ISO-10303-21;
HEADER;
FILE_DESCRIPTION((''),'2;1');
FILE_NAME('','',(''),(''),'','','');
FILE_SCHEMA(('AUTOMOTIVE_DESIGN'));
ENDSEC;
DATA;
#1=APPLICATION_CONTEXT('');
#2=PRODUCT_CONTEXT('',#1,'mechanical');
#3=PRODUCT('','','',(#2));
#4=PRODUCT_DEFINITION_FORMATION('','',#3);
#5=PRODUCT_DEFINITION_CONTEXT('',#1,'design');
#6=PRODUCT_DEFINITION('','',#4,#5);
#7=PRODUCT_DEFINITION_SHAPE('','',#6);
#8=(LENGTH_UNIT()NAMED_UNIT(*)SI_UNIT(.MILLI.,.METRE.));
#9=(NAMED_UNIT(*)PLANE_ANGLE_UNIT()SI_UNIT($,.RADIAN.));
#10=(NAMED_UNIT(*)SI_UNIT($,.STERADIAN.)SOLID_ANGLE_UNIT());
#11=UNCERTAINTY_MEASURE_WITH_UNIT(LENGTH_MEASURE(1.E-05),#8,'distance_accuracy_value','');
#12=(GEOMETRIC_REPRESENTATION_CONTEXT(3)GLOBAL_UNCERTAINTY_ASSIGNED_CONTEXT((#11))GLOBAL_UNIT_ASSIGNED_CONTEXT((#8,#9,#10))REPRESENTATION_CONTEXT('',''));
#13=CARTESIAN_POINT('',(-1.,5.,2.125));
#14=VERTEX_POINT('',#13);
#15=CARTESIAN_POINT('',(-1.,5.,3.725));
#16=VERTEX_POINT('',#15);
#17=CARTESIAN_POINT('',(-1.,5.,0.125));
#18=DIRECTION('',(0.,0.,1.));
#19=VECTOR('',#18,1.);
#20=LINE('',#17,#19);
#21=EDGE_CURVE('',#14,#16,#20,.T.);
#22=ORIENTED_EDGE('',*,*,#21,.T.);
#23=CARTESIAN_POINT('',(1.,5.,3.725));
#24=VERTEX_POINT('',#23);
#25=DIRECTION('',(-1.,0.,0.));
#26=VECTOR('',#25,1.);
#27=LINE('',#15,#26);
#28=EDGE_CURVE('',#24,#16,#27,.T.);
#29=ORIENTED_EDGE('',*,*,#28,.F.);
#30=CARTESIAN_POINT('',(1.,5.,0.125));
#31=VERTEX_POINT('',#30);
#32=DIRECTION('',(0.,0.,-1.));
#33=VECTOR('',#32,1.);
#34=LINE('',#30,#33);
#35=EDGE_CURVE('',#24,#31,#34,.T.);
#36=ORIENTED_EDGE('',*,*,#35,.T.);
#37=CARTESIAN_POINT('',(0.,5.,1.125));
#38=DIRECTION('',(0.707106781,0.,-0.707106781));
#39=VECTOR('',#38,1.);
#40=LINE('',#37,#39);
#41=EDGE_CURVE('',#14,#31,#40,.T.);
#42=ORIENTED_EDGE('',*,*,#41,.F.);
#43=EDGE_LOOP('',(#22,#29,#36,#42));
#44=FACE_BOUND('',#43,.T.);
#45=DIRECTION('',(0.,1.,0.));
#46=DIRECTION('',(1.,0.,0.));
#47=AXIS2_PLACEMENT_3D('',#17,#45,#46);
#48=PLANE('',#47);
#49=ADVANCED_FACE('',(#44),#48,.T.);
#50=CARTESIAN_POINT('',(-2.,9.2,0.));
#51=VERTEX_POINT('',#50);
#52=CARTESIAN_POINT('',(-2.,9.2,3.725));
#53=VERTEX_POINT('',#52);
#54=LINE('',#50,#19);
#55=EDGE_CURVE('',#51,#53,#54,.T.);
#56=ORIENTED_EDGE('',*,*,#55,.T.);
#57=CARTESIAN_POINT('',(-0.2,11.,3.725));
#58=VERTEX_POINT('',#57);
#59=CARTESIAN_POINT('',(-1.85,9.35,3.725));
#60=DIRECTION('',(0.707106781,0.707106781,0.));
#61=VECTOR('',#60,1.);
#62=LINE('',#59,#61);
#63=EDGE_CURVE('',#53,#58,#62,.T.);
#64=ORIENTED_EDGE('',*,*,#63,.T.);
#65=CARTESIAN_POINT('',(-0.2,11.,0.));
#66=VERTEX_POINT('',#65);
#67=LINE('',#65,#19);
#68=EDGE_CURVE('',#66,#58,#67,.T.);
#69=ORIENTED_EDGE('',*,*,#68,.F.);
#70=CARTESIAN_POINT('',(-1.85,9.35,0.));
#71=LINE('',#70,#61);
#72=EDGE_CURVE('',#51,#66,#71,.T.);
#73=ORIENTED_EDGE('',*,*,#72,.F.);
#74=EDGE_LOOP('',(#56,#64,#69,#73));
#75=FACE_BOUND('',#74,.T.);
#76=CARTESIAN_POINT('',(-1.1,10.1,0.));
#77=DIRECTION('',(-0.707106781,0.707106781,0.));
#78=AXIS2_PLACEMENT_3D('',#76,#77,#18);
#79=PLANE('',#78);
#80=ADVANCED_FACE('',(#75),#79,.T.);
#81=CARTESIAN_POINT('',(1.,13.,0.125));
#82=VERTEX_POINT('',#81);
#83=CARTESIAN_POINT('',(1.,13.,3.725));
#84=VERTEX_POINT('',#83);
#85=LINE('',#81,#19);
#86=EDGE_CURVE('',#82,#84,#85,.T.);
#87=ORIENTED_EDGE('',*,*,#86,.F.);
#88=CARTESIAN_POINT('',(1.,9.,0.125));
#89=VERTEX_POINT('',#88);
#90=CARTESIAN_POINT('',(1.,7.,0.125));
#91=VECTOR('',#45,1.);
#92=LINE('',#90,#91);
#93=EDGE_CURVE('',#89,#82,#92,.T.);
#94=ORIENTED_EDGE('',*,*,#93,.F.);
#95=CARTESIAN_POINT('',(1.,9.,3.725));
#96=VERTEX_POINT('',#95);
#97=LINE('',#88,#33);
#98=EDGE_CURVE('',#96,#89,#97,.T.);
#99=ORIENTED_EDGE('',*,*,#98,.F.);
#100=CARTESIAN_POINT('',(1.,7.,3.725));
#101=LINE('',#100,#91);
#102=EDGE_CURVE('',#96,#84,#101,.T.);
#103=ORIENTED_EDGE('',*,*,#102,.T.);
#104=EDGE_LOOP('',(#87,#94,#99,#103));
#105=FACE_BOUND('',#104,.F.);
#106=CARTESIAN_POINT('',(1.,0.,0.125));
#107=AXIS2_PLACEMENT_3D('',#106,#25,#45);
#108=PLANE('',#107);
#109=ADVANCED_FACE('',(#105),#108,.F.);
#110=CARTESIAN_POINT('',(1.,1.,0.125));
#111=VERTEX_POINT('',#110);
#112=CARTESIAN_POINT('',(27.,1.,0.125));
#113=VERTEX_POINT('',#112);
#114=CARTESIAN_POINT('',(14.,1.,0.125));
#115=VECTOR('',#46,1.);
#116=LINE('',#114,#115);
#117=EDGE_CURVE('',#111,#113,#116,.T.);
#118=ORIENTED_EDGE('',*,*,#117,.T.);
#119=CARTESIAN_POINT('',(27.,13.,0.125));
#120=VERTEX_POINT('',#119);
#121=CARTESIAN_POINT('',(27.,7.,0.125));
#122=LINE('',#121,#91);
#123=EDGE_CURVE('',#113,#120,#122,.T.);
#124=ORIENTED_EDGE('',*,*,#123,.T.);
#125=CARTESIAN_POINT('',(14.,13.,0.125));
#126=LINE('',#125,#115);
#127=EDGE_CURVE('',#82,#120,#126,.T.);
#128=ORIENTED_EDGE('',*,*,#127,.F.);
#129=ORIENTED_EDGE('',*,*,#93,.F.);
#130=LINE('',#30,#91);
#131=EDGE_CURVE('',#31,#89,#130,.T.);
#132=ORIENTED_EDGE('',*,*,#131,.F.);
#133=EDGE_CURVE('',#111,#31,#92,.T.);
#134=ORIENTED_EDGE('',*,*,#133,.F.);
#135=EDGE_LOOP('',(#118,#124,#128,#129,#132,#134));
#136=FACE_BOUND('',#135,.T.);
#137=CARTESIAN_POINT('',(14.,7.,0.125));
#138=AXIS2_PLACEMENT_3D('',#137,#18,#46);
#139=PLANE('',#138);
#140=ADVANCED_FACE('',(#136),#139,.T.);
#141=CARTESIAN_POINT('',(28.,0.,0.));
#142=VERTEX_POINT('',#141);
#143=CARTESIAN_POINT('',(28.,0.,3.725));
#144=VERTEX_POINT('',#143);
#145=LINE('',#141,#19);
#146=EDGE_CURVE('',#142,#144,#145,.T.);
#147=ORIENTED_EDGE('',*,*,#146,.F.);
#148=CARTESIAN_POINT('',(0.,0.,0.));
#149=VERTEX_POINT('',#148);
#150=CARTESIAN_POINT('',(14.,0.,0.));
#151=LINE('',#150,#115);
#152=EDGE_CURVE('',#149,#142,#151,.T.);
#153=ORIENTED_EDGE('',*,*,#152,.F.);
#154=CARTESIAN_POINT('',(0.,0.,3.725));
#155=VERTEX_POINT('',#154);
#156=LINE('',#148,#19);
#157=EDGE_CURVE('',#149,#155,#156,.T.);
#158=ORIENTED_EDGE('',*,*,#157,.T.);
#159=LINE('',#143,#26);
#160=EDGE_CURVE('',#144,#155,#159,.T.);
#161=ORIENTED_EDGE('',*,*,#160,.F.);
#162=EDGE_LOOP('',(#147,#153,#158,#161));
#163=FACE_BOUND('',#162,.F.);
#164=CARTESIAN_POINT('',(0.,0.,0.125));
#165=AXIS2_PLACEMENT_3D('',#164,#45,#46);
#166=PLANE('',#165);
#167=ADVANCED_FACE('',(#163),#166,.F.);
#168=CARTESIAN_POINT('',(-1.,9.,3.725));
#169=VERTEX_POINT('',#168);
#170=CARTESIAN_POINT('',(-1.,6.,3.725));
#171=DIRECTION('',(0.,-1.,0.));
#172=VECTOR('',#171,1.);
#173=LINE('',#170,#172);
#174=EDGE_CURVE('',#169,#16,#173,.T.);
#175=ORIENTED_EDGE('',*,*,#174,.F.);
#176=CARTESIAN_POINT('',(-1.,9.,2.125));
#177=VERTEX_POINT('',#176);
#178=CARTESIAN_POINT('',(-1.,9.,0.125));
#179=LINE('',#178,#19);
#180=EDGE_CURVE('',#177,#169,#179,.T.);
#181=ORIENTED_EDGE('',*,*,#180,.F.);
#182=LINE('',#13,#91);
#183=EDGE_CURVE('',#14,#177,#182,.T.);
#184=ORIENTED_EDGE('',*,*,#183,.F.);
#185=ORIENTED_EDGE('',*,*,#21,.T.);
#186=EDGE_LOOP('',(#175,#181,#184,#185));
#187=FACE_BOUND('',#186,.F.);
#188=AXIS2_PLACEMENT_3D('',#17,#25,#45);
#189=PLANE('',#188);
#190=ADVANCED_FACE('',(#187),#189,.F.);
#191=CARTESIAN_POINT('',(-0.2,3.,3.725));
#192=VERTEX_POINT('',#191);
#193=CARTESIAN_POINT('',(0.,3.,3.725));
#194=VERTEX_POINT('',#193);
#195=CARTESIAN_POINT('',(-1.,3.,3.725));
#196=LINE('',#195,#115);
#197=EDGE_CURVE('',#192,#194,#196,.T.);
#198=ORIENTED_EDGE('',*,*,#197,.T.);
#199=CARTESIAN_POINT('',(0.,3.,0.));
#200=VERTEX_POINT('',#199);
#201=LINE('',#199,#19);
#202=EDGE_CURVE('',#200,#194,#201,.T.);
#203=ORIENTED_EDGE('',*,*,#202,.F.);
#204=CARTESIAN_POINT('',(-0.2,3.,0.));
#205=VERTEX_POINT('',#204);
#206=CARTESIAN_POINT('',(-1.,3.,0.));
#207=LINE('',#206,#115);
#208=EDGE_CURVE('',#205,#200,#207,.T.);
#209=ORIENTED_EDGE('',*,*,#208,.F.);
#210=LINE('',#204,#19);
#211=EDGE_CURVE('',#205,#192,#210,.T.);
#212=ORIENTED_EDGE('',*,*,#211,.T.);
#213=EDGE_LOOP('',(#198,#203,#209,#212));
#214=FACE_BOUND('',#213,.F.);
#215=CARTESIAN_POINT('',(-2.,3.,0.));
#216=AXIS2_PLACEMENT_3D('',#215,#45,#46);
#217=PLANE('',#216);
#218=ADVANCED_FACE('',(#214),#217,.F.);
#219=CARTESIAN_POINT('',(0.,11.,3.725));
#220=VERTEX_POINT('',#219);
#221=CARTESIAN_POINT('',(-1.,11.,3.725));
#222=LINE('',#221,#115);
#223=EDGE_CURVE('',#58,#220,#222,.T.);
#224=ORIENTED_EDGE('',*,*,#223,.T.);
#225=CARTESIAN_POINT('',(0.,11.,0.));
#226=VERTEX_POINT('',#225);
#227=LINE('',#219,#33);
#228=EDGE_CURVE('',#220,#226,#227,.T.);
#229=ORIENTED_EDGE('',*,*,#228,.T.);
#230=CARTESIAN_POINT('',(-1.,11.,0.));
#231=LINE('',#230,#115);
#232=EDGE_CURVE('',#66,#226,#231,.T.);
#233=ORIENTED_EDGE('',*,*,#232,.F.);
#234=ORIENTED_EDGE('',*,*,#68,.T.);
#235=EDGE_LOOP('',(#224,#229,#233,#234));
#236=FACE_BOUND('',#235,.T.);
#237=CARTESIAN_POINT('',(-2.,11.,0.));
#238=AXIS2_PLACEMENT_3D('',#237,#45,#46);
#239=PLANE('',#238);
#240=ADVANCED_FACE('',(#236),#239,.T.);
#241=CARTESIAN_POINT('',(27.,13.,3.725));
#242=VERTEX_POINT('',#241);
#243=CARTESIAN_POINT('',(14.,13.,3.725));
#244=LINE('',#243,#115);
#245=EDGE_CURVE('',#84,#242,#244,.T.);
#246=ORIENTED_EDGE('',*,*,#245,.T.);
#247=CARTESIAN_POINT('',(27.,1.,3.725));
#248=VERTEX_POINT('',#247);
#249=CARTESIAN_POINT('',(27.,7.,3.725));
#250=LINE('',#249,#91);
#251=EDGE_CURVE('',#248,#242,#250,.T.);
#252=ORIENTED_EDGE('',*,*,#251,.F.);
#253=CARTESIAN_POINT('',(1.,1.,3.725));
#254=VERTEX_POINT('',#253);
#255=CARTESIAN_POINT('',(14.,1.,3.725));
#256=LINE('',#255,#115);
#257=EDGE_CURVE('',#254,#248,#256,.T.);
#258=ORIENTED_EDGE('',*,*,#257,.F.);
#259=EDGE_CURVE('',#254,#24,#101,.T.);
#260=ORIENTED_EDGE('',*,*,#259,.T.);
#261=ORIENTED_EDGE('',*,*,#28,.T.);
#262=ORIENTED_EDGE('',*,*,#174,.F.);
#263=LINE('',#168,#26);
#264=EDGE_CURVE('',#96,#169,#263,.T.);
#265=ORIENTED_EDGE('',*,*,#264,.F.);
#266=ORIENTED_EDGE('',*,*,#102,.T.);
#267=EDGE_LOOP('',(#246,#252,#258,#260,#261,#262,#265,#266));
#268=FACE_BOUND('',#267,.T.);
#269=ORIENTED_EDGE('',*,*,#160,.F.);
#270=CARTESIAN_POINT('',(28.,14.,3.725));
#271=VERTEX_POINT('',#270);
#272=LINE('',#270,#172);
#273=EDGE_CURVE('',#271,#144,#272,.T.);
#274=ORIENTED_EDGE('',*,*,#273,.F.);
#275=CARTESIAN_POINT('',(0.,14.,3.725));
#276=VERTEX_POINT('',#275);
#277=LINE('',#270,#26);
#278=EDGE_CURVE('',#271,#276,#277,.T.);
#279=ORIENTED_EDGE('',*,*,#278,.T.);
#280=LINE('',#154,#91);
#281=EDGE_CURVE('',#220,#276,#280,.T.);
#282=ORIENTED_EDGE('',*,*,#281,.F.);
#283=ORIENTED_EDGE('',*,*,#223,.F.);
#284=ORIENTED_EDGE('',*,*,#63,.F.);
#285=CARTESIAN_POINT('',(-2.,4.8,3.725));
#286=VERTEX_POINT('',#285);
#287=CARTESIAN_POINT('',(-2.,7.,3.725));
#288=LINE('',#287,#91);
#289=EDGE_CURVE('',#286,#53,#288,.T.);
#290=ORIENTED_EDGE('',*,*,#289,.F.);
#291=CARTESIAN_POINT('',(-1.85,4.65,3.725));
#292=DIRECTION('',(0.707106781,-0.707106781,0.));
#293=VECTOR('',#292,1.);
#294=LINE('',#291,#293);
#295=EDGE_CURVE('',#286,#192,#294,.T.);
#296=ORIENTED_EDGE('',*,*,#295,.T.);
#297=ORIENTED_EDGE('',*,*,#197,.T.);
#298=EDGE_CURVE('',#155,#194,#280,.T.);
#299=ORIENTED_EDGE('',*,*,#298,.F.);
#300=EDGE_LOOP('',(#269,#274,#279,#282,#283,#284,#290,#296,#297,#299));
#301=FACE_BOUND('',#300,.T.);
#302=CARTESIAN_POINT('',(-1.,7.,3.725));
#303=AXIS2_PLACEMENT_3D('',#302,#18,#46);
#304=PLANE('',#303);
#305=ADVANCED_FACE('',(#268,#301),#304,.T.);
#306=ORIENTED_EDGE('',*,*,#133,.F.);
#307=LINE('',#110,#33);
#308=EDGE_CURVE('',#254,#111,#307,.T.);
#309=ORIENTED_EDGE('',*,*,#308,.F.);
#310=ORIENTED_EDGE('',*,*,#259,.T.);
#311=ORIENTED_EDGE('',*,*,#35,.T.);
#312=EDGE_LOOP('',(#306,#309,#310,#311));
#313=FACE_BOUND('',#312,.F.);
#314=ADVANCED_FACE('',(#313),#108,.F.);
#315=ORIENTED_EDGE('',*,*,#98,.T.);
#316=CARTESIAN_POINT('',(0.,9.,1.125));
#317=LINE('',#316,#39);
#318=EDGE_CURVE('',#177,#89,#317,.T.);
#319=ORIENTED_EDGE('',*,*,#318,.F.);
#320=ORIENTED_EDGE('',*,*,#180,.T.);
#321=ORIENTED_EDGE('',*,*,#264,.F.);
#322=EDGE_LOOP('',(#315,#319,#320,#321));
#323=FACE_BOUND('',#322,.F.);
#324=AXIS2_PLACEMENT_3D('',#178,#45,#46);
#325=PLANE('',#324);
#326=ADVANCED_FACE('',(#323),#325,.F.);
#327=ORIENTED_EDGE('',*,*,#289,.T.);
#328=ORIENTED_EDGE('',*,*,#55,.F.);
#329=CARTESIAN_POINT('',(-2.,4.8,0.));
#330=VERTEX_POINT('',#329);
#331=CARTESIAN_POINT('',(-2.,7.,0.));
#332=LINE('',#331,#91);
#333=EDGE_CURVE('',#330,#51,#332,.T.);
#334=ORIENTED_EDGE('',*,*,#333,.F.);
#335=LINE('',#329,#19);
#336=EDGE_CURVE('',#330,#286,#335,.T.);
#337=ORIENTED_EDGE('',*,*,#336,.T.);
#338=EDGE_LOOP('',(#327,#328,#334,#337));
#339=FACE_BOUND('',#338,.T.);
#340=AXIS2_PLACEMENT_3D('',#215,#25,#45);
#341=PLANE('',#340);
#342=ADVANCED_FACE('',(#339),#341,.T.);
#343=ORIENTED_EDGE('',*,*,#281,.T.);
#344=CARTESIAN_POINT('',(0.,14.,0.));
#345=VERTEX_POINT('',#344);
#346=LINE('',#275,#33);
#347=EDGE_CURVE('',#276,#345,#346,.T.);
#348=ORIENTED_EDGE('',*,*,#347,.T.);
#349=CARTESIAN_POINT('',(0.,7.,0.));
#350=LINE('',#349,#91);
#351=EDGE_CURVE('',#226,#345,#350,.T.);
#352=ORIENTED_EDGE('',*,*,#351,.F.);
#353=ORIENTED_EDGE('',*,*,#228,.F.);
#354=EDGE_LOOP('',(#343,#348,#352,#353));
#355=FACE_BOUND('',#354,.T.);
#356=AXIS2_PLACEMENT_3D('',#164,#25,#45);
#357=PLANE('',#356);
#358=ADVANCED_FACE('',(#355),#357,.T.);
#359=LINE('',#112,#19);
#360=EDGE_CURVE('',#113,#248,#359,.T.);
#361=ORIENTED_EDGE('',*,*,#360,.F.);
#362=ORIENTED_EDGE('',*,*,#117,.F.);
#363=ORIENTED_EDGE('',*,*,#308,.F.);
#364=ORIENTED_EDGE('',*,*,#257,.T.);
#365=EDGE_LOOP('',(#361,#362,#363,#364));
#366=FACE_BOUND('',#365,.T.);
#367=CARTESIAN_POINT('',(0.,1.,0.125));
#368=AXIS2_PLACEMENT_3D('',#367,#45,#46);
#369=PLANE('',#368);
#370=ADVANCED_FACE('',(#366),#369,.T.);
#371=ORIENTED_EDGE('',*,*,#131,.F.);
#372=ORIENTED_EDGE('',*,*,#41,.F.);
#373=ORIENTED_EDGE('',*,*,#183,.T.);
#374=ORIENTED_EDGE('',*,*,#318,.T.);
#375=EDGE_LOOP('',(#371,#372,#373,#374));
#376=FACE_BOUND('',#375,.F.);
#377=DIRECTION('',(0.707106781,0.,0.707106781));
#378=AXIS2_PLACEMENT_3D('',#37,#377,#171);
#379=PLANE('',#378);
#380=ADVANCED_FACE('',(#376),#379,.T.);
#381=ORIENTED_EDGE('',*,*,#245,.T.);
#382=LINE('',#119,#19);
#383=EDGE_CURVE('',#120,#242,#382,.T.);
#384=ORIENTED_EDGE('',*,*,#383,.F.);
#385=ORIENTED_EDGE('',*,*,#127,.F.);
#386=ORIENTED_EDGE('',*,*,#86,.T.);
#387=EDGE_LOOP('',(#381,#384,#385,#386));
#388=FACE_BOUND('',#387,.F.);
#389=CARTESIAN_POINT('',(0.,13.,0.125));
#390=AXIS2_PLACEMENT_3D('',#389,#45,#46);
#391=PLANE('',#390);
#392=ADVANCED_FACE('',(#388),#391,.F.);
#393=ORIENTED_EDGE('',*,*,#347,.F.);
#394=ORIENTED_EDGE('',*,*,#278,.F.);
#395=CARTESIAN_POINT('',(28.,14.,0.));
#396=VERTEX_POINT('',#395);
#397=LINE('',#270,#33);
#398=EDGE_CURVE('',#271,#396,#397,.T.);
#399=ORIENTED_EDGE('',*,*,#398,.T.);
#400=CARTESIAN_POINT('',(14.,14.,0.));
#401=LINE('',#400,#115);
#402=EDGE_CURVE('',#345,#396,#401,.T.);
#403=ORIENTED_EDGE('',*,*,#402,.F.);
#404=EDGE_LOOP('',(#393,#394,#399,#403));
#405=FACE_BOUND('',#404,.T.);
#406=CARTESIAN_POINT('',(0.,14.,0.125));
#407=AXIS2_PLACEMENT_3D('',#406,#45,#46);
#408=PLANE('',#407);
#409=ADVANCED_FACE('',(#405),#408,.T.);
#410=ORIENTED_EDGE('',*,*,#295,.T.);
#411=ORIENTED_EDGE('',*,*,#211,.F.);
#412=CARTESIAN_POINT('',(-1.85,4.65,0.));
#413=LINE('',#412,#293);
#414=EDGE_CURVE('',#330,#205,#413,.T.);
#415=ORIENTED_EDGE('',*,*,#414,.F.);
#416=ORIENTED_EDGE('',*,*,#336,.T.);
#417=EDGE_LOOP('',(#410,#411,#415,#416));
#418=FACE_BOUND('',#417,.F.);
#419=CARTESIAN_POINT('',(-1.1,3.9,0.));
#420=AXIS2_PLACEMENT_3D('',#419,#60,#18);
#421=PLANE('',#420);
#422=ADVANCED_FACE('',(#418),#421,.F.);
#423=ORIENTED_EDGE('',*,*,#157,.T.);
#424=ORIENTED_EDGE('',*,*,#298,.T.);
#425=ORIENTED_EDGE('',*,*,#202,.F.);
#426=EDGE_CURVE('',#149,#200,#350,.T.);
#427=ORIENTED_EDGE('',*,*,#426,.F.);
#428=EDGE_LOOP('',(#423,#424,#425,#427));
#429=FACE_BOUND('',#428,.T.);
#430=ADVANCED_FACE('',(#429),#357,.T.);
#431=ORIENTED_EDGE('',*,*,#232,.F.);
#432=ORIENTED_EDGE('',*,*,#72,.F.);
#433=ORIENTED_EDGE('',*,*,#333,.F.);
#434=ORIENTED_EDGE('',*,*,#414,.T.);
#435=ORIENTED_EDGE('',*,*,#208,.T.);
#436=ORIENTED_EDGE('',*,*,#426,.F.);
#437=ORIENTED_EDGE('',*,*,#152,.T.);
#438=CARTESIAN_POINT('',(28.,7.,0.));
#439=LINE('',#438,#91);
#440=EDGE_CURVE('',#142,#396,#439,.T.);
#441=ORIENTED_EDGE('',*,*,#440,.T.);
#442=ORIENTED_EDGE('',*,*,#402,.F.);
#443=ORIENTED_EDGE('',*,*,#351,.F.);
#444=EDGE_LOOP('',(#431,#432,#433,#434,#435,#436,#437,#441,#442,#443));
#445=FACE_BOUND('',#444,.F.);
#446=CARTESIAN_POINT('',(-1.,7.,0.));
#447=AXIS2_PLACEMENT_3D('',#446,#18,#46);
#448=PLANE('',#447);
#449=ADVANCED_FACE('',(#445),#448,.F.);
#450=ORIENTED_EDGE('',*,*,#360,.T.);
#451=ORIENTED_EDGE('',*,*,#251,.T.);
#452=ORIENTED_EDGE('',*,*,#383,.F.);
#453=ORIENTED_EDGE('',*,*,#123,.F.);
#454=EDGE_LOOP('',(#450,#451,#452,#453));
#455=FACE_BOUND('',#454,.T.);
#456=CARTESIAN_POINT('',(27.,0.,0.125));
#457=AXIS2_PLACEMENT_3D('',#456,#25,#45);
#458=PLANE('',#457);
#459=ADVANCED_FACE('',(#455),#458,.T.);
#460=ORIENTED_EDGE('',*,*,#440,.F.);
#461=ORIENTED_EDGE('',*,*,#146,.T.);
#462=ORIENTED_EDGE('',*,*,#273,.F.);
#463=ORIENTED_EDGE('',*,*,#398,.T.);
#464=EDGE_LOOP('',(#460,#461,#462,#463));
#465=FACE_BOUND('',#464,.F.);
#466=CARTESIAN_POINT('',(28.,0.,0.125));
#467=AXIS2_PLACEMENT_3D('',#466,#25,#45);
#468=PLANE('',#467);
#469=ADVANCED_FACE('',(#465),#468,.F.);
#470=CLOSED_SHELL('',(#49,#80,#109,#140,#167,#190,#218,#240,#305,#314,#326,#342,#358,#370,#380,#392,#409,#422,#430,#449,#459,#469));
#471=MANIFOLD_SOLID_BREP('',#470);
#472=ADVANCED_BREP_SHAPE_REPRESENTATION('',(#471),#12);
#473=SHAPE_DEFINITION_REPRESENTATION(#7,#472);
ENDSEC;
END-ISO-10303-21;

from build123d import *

# Parameters (mm, degrees)
BOX001_W        = 3
BOX001_H        = 4
BOX001_DEPTH    = 5
CHAMFER_SIZE    = 2
BOX002_W        = 2
BOX002_H        = 8
BOX002_DEPTH    = 3.725
CHAMFER001_SIZE = 1.8
SKETCH004_W     = 1
SKETCH004_H     = 14
PAD004_DEPTH    = 3.6
SKETCH005_W     = 28
SKETCH005_H     = 1
PAD005_DEPTH    = 3.6
SKETCH006_W     = 1
SKETCH006_H     = 14
PAD006_DEPTH    = 3.6
SKETCH003_W     = 28
SKETCH003_H     = 1
PAD003_DEPTH    = 3.6
BOX_W           = 28
BOX_H           = 14
BOX_DEPTH       = 0.125


with BuildPart() as chamfer_body:
    # Box001 → Box001 (new body)
    with BuildSketch(Plane(origin=(-1, 5, 0.125), x_dir=(1, 0, 0), z_dir=(0, 0, 1))):
        with Locations((1.5, 2)):
            Rectangle(BOX001_W, BOX001_H)
    extrude(amount=BOX001_DEPTH)

    # Chamfer
    chamfer_edges = [chamfer_body.edges().sort_by_distance(p)[0] for p in [
        (-1, 7, 0.125),
    ]]
    chamfer(chamfer_edges, length=CHAMFER_SIZE)


with BuildPart() as chamfer001:
    # Box002 → Box002 (new body)
    with BuildSketch(Plane(origin=(-2, 3, 0), x_dir=(1, 0, 0), z_dir=(0, 0, 1))):
        with Locations((1, 4)):
            Rectangle(BOX002_W, BOX002_H)
    extrude(amount=BOX002_DEPTH)

    # Chamfer001
    chamfer001_edges = [chamfer001.edges().sort_by_distance(p)[0] for p in [
        (-2, 3, 1.8625),
        (-2, 11, 1.8625),
    ]]
    chamfer(chamfer001_edges, length=CHAMFER001_SIZE)


with BuildPart() as pad004:
    # Sketch004 → Pad004 (new body)
    with BuildSketch(Plane.XY.offset(0.125)):
        with Locations((0.5, 7)):
            Rectangle(SKETCH004_W, SKETCH004_H)
    extrude(amount=PAD004_DEPTH)


with BuildPart() as pad005:
    # Sketch005 → Pad005 (new body)
    with BuildSketch(Plane.XY.offset(0.125)):
        with Locations((14, 0.5)):
            Rectangle(SKETCH005_W, SKETCH005_H)
    extrude(amount=PAD005_DEPTH)


with BuildPart() as pad006:
    # Sketch006 → Pad006 (new body)
    with BuildSketch(Plane.XY.offset(0.125)):
        with Locations((27.5, 7)):
            Rectangle(SKETCH006_W, SKETCH006_H)
    extrude(amount=PAD006_DEPTH)


with BuildPart() as walls:
    # Sketch003 → Pad003 (new body)
    with BuildSketch(Plane.XY.offset(0.125)):
        with Locations((14, 13.5)):
            Rectangle(SKETCH003_W, SKETCH003_H)
    extrude(amount=PAD003_DEPTH)

    # Fusion001: union Pad004, Pad005, Pad006
    add(pad004.part)
    add(pad005.part)
    add(pad006.part)

    # Fusion: union Chamfer001
    add(chamfer001.part)

    # Cut: cut Chamfer body
    add(chamfer_body.part, mode=Mode.SUBTRACT)


with BuildPart() as base_and_walls_do_not_edit:
    # Box → Box (new body)
    with BuildSketch(Plane.XY):
        with Locations((14, 7)):
            Rectangle(BOX_W, BOX_H)
    extrude(amount=BOX_DEPTH)

    # Fusion024: union Walls
    add(walls.part)


solid = base_and_walls_do_not_edit.part
